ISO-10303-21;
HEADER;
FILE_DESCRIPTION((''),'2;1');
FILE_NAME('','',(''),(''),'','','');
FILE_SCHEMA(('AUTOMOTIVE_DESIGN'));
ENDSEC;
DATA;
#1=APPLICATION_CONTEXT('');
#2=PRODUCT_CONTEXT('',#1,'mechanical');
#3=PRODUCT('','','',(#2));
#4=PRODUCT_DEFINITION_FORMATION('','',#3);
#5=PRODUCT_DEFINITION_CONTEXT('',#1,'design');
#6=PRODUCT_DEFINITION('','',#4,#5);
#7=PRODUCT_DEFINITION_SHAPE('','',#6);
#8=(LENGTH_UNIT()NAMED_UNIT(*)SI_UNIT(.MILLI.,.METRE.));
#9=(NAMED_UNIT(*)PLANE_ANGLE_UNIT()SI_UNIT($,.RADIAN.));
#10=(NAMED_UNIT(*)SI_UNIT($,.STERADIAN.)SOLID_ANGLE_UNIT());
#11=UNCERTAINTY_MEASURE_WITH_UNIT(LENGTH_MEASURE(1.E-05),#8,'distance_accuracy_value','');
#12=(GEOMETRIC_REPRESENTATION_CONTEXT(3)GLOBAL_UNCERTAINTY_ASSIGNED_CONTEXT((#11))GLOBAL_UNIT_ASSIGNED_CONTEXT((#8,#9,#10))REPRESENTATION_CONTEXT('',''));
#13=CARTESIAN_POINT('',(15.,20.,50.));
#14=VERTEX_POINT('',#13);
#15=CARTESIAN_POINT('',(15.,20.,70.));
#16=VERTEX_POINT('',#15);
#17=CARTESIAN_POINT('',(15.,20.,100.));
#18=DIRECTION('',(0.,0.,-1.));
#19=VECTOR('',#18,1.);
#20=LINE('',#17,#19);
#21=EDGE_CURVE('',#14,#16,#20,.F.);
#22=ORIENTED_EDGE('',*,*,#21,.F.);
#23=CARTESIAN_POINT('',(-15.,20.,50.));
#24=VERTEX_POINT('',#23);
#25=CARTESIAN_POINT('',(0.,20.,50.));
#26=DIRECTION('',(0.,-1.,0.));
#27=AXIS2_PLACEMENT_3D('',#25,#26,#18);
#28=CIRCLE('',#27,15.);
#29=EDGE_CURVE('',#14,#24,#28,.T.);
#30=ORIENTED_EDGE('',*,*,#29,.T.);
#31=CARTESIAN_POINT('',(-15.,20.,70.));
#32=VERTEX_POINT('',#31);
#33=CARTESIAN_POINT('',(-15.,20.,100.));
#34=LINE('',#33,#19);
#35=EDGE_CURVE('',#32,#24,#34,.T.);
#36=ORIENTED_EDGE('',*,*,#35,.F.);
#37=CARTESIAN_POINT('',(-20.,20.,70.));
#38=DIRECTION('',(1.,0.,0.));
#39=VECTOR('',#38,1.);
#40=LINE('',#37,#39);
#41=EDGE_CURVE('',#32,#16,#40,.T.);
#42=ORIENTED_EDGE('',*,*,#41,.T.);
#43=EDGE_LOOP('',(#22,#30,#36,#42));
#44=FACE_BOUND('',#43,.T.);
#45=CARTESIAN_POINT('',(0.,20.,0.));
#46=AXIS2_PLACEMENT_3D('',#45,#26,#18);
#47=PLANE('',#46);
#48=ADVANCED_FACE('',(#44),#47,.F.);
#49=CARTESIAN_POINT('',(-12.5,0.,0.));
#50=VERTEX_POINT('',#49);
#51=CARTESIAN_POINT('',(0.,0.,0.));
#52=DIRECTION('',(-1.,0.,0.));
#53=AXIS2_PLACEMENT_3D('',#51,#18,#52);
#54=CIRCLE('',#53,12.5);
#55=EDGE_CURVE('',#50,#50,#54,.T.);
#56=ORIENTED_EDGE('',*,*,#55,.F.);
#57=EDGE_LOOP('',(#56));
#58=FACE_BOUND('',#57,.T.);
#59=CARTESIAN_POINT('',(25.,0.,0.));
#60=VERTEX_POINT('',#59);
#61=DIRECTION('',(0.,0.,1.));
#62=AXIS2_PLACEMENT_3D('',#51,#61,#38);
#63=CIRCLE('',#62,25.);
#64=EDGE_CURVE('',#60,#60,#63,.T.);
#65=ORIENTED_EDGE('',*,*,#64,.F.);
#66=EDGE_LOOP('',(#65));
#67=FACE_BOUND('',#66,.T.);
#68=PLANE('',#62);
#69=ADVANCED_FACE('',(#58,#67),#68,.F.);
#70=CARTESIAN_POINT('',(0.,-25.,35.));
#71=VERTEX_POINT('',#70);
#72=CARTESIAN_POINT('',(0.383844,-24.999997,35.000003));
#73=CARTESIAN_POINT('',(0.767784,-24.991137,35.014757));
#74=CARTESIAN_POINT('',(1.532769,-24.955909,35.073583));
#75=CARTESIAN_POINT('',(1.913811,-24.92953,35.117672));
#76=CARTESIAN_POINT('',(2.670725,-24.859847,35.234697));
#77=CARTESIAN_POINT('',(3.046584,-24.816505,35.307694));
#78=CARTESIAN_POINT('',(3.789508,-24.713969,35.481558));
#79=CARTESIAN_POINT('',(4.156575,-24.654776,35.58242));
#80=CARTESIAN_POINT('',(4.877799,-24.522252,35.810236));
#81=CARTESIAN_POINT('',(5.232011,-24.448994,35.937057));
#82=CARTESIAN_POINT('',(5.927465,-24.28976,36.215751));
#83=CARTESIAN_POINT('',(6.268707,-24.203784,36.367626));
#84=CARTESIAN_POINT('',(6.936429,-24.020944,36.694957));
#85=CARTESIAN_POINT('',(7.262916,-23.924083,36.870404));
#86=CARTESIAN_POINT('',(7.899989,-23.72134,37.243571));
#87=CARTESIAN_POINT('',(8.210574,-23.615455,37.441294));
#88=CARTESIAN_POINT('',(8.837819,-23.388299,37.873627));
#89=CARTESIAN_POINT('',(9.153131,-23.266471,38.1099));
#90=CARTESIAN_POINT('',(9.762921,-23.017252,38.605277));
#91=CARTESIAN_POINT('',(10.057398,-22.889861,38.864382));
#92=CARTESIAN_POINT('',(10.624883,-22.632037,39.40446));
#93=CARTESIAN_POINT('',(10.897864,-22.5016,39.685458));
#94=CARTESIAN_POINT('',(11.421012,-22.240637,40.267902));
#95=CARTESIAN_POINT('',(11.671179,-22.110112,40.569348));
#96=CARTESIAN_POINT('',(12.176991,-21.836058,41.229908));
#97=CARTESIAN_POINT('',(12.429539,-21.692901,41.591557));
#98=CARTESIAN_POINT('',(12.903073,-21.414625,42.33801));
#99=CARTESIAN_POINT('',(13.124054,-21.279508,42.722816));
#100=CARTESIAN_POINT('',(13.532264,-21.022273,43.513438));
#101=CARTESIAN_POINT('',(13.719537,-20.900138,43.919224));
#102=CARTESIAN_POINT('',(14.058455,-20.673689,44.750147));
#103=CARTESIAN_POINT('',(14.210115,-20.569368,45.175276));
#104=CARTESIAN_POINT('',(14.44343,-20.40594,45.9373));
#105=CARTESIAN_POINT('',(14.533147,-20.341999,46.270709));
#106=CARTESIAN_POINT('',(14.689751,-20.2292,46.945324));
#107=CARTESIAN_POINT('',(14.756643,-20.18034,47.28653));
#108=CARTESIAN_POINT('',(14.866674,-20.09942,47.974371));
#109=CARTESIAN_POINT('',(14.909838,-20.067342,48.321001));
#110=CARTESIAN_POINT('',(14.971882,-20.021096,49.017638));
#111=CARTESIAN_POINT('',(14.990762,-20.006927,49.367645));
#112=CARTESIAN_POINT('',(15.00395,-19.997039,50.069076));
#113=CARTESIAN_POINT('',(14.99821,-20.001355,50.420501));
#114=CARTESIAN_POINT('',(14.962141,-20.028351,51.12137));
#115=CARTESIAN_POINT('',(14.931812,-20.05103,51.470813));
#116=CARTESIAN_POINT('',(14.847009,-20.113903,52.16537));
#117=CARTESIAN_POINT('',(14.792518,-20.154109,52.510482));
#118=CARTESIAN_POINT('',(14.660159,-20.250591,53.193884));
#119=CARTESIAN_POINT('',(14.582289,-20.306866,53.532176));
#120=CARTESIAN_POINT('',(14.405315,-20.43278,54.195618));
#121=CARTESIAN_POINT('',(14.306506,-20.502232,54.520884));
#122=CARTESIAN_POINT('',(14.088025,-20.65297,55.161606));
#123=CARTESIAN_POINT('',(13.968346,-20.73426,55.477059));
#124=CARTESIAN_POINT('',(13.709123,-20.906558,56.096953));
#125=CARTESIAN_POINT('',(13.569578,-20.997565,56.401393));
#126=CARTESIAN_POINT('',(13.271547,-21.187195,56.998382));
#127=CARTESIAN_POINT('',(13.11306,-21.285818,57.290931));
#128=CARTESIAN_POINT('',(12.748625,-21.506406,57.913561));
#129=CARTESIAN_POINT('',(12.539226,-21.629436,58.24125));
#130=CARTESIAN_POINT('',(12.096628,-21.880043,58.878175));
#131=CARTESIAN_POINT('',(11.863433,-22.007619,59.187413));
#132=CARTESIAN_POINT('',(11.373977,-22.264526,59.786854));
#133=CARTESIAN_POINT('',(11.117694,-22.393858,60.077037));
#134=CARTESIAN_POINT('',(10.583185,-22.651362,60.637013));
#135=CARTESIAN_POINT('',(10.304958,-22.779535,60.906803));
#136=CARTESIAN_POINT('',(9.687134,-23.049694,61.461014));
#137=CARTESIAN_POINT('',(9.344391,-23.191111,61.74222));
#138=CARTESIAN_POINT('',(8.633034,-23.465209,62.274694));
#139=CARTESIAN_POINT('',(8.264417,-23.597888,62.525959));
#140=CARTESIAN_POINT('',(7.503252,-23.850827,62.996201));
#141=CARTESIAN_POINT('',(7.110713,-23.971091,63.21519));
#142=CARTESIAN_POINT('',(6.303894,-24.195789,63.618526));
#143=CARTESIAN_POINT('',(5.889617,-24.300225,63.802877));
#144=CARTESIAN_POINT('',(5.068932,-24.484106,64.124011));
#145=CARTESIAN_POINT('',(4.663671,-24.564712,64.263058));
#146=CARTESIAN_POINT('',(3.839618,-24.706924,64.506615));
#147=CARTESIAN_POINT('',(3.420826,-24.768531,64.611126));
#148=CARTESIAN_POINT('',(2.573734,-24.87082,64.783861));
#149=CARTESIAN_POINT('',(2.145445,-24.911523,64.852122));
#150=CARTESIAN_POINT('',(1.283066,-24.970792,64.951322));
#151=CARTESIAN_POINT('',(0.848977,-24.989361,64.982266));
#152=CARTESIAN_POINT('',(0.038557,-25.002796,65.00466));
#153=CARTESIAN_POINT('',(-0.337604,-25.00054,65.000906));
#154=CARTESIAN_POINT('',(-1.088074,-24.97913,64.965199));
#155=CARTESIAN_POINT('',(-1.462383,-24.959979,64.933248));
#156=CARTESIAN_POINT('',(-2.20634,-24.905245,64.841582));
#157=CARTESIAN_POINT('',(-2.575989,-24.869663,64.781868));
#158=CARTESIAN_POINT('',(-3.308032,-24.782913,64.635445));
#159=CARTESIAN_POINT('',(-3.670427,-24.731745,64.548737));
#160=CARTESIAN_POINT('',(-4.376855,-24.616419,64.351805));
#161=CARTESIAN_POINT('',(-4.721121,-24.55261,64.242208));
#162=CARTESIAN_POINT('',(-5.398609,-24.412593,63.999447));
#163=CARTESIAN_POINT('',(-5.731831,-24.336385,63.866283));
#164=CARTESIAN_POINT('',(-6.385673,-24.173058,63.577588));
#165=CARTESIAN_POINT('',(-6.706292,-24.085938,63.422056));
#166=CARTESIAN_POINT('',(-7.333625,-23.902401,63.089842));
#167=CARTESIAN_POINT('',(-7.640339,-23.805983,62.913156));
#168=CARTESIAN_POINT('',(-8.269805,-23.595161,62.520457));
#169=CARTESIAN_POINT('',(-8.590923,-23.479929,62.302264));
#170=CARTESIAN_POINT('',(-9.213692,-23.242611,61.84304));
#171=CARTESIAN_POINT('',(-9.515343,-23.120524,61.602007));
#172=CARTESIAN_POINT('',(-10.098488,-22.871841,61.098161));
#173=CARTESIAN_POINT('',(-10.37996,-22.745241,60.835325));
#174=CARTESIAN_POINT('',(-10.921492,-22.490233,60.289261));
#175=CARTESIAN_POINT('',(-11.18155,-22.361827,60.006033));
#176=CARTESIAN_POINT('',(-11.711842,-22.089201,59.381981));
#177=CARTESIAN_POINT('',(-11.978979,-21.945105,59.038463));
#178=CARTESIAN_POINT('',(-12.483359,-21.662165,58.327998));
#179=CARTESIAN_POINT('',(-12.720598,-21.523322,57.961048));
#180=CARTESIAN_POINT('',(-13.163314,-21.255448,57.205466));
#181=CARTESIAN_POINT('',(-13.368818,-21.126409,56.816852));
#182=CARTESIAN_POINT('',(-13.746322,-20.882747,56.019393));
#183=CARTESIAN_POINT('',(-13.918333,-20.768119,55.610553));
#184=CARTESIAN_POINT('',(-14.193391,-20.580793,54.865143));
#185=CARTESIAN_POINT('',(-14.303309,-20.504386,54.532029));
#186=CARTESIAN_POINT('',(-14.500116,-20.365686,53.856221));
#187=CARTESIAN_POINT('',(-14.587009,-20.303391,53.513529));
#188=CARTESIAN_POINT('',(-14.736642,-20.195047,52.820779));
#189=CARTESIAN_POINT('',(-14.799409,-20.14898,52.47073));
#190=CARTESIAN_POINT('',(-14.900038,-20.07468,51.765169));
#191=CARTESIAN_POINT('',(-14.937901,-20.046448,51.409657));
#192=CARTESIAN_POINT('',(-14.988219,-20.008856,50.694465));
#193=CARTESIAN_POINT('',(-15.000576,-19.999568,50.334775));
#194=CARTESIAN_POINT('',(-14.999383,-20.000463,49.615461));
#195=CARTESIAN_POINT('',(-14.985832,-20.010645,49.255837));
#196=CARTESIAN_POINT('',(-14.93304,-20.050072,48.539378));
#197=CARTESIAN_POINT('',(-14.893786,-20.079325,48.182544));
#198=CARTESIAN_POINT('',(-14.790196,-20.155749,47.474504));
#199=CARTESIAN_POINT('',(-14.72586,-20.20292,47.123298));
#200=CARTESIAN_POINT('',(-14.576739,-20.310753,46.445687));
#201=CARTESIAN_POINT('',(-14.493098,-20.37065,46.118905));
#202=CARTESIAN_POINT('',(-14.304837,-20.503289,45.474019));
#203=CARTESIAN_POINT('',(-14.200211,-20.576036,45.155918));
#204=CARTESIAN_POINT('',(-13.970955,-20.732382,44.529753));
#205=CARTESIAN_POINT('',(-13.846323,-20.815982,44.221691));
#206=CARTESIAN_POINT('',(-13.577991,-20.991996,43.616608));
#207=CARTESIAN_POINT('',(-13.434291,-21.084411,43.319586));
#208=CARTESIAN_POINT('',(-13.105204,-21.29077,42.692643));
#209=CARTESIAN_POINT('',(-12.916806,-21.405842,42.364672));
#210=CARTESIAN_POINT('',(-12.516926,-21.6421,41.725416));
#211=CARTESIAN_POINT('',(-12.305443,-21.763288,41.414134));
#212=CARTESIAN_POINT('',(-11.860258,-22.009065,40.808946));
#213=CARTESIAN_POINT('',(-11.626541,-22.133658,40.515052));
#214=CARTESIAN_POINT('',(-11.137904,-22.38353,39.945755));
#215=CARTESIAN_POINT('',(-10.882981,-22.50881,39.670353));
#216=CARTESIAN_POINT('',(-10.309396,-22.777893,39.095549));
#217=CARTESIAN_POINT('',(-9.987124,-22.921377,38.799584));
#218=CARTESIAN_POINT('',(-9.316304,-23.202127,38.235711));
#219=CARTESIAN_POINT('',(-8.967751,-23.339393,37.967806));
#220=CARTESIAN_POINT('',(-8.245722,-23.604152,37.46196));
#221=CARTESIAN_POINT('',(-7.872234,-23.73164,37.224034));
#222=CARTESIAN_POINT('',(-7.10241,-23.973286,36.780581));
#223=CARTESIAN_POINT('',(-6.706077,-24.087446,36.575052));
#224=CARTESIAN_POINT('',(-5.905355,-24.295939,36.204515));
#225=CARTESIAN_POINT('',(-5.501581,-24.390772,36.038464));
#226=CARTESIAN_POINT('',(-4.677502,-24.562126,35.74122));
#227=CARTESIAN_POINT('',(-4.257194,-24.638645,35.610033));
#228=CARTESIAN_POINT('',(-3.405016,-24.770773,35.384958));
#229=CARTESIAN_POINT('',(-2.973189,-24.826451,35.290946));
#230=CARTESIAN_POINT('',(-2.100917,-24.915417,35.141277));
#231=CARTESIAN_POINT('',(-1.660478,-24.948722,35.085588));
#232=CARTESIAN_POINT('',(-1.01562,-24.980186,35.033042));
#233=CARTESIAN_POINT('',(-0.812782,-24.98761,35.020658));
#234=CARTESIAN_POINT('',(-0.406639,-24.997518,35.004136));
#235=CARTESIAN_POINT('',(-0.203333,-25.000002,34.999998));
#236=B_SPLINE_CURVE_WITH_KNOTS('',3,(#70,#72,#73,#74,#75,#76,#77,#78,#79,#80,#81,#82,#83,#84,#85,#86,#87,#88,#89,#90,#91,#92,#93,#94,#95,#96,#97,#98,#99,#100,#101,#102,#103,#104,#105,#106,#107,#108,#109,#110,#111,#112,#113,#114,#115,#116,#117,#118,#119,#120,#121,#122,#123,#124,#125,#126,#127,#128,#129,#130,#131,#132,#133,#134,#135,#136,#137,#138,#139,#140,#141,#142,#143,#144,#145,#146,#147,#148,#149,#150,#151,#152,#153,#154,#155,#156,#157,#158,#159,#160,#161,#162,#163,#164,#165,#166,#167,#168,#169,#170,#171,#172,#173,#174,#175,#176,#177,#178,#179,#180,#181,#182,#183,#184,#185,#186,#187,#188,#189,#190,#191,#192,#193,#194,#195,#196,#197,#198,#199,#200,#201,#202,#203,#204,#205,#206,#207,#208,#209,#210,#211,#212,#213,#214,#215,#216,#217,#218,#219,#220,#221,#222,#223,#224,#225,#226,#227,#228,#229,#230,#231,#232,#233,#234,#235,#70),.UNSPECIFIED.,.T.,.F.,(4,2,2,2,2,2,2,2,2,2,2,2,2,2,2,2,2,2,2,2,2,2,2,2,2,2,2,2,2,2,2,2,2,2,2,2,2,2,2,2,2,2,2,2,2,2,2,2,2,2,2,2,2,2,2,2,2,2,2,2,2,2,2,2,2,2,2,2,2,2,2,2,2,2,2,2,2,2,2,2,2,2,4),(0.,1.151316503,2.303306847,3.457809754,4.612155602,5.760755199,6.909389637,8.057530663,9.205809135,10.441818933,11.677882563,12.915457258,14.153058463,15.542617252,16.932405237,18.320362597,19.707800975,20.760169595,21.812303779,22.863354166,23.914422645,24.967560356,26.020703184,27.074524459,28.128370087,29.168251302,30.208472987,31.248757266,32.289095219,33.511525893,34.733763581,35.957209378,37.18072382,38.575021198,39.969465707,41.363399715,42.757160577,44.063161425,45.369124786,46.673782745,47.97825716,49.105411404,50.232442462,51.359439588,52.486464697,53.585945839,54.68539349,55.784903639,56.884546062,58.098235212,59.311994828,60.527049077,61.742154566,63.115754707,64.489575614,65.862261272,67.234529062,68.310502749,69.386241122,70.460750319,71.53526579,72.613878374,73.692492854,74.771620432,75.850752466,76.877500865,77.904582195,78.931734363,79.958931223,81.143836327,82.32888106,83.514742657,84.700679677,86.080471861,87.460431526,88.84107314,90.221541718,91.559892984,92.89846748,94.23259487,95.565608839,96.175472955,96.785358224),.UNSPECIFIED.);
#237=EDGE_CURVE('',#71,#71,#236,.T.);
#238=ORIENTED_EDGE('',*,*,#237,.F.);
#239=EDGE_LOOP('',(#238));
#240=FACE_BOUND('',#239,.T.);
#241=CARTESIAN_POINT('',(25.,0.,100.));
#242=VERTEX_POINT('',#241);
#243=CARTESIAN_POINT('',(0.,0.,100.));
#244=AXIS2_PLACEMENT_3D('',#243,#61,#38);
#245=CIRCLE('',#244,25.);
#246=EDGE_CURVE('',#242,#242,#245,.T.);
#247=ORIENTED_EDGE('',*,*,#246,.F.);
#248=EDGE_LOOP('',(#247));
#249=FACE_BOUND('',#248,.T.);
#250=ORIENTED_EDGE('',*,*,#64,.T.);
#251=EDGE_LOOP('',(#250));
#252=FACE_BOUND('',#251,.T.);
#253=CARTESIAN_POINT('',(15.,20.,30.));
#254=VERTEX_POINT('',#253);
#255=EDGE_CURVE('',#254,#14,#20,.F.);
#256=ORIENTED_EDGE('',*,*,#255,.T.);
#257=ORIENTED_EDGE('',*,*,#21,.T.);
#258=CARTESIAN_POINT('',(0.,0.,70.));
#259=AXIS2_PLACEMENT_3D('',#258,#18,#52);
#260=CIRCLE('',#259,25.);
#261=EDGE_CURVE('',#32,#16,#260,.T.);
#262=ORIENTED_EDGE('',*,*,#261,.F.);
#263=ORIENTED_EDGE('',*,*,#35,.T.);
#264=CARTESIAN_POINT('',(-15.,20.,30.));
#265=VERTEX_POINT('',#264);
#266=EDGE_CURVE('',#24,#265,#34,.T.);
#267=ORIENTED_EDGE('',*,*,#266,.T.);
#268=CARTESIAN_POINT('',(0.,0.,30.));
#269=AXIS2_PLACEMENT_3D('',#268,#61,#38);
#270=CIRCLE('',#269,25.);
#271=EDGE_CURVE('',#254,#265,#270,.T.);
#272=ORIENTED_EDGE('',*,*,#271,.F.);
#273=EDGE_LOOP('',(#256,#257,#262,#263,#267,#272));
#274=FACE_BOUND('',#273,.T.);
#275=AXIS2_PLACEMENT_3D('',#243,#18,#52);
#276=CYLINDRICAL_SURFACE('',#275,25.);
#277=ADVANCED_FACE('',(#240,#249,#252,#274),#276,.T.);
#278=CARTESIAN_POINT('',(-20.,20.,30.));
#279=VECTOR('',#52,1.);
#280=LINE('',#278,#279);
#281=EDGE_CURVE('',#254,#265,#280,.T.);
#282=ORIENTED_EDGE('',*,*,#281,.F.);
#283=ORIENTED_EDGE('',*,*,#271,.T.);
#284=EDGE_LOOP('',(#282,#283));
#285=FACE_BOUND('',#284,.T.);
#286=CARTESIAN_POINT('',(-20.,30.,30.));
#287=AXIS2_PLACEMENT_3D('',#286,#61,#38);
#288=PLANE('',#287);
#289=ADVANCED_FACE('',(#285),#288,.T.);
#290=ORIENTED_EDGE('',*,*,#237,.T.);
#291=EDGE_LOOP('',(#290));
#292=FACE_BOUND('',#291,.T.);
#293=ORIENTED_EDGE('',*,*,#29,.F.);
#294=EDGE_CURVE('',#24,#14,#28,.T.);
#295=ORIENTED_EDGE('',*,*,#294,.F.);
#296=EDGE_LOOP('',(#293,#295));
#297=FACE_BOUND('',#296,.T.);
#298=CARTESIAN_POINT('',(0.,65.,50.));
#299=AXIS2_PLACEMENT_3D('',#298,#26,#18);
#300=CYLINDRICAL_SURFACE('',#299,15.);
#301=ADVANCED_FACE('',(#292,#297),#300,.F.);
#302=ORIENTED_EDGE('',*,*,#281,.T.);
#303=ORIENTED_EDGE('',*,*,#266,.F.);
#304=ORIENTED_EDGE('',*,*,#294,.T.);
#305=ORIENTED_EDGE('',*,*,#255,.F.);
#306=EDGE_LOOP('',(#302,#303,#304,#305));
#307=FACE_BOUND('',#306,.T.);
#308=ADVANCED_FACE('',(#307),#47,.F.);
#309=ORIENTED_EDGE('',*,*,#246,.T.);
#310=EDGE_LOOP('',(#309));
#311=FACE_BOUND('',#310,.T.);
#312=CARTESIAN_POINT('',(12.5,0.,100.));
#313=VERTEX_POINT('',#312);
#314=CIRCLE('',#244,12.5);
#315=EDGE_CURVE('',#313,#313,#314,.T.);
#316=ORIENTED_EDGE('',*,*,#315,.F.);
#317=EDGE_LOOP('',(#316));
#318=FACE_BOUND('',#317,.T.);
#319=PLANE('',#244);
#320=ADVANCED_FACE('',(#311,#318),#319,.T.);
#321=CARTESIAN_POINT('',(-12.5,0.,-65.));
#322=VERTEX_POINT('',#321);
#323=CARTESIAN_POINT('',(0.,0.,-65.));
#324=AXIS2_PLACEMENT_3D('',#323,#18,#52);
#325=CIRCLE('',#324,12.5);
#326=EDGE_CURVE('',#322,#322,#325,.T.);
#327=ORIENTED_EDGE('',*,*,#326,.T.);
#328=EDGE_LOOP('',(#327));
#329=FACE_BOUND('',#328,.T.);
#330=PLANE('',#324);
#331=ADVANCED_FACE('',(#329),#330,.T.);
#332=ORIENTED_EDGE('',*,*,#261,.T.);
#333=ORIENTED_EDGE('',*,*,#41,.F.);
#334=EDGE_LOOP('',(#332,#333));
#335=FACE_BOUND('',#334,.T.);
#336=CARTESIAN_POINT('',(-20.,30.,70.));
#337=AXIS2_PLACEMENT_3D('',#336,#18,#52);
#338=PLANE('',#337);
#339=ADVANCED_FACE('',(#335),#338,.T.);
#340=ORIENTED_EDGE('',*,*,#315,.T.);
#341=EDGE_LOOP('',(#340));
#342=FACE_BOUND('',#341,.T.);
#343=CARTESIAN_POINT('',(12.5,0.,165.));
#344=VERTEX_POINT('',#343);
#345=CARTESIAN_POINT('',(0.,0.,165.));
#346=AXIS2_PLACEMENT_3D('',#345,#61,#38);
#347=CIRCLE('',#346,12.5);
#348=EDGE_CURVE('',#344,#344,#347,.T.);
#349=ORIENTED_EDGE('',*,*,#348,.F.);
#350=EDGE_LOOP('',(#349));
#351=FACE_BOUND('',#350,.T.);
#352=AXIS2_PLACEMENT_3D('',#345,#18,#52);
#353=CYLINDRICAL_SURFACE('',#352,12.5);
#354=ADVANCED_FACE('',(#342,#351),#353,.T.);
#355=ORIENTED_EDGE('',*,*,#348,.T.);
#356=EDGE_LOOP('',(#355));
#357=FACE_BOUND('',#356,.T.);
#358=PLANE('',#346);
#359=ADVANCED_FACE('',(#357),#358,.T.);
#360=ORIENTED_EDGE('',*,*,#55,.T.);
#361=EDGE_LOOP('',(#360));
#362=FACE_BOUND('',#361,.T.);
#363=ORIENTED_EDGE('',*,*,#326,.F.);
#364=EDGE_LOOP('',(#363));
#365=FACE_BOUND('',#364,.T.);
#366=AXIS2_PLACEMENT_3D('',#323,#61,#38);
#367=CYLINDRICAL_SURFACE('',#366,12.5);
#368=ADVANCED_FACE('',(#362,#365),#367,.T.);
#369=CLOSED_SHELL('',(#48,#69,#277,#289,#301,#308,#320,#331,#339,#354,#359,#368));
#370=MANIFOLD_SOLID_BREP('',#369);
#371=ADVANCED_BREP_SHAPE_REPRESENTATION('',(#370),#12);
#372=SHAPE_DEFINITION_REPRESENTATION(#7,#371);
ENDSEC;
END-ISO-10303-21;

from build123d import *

# Parameters (mm, degrees)
IZIM1_R                     = 25
Y_KSEKLIK_EKSTR_ZYON1_DEPTH = 100
IZIM2_R                     = 12.5
Y_KSEKLIK_EKSTR_ZYON2_DEPTH = 65
Y_KSEKLIK_EKSTR_ZYON3_START = 65
IZIM3_R                     = 12.5
Y_KSEKLIK_EKSTR_ZYON3_DEPTH = 65
KES_EKSTR_ZYON1_DEPTH       = 65
KES_EKSTR_ZYON1_DEPTH_BACK  = 65
IZIM4_R                     = 15
KES_EKSTR_ZYON2_START       = 20
IZIM5_W                     = 40
IZIM5_H                     = 40
KES_EKSTR_ZYON2_DEPTH       = 10


with BuildPart() as part:
    # Çizim1 → Yükseklik-Ekstrüzyon1 (new body)
    with BuildSketch(Plane.XY):
        Circle(IZIM1_R)
    extrude(amount=Y_KSEKLIK_EKSTR_ZYON1_DEPTH)

    # Çizim2 → Yükseklik-Ekstrüzyon2 (add)
    with BuildSketch(Plane.XY.offset(100)):
        Circle(IZIM2_R)
    extrude(amount=Y_KSEKLIK_EKSTR_ZYON2_DEPTH)

    # Çizim3 → Yükseklik-Ekstrüzyon3 (add)
    with BuildSketch(Plane(origin=(0, 0, 0), x_dir=(-1, 0, 0), z_dir=(0, 0, -1)).offset(Y_KSEKLIK_EKSTR_ZYON3_START)):
        Circle(IZIM3_R)
    extrude(amount=-Y_KSEKLIK_EKSTR_ZYON3_DEPTH)

    # Çizim4 → Kes-Ekstrüzyon1 (cut, two sides: drawn at the far end of the back side and taken through both)
    with BuildSketch(Plane(origin=(0, 0, 0), x_dir=(1, 0, 0), z_dir=(0, 1, 0)).offset(-KES_EKSTR_ZYON1_DEPTH_BACK)):
        with Locations((0, -50)):
            Circle(IZIM4_R)
    extrude(amount=KES_EKSTR_ZYON1_DEPTH + KES_EKSTR_ZYON1_DEPTH_BACK, mode=Mode.SUBTRACT)

    # Çizim5 → Kes-Ekstrüzyon2 (cut)
    with BuildSketch(Plane(origin=(0, 0, 0), x_dir=(1, 0, 0), z_dir=(0, 1, 0)).offset(KES_EKSTR_ZYON2_START)):
        with Locations((0, -50)):
            Rectangle(IZIM5_W, IZIM5_H)
    extrude(amount=KES_EKSTR_ZYON2_DEPTH, mode=Mode.SUBTRACT)


solid = part.part
